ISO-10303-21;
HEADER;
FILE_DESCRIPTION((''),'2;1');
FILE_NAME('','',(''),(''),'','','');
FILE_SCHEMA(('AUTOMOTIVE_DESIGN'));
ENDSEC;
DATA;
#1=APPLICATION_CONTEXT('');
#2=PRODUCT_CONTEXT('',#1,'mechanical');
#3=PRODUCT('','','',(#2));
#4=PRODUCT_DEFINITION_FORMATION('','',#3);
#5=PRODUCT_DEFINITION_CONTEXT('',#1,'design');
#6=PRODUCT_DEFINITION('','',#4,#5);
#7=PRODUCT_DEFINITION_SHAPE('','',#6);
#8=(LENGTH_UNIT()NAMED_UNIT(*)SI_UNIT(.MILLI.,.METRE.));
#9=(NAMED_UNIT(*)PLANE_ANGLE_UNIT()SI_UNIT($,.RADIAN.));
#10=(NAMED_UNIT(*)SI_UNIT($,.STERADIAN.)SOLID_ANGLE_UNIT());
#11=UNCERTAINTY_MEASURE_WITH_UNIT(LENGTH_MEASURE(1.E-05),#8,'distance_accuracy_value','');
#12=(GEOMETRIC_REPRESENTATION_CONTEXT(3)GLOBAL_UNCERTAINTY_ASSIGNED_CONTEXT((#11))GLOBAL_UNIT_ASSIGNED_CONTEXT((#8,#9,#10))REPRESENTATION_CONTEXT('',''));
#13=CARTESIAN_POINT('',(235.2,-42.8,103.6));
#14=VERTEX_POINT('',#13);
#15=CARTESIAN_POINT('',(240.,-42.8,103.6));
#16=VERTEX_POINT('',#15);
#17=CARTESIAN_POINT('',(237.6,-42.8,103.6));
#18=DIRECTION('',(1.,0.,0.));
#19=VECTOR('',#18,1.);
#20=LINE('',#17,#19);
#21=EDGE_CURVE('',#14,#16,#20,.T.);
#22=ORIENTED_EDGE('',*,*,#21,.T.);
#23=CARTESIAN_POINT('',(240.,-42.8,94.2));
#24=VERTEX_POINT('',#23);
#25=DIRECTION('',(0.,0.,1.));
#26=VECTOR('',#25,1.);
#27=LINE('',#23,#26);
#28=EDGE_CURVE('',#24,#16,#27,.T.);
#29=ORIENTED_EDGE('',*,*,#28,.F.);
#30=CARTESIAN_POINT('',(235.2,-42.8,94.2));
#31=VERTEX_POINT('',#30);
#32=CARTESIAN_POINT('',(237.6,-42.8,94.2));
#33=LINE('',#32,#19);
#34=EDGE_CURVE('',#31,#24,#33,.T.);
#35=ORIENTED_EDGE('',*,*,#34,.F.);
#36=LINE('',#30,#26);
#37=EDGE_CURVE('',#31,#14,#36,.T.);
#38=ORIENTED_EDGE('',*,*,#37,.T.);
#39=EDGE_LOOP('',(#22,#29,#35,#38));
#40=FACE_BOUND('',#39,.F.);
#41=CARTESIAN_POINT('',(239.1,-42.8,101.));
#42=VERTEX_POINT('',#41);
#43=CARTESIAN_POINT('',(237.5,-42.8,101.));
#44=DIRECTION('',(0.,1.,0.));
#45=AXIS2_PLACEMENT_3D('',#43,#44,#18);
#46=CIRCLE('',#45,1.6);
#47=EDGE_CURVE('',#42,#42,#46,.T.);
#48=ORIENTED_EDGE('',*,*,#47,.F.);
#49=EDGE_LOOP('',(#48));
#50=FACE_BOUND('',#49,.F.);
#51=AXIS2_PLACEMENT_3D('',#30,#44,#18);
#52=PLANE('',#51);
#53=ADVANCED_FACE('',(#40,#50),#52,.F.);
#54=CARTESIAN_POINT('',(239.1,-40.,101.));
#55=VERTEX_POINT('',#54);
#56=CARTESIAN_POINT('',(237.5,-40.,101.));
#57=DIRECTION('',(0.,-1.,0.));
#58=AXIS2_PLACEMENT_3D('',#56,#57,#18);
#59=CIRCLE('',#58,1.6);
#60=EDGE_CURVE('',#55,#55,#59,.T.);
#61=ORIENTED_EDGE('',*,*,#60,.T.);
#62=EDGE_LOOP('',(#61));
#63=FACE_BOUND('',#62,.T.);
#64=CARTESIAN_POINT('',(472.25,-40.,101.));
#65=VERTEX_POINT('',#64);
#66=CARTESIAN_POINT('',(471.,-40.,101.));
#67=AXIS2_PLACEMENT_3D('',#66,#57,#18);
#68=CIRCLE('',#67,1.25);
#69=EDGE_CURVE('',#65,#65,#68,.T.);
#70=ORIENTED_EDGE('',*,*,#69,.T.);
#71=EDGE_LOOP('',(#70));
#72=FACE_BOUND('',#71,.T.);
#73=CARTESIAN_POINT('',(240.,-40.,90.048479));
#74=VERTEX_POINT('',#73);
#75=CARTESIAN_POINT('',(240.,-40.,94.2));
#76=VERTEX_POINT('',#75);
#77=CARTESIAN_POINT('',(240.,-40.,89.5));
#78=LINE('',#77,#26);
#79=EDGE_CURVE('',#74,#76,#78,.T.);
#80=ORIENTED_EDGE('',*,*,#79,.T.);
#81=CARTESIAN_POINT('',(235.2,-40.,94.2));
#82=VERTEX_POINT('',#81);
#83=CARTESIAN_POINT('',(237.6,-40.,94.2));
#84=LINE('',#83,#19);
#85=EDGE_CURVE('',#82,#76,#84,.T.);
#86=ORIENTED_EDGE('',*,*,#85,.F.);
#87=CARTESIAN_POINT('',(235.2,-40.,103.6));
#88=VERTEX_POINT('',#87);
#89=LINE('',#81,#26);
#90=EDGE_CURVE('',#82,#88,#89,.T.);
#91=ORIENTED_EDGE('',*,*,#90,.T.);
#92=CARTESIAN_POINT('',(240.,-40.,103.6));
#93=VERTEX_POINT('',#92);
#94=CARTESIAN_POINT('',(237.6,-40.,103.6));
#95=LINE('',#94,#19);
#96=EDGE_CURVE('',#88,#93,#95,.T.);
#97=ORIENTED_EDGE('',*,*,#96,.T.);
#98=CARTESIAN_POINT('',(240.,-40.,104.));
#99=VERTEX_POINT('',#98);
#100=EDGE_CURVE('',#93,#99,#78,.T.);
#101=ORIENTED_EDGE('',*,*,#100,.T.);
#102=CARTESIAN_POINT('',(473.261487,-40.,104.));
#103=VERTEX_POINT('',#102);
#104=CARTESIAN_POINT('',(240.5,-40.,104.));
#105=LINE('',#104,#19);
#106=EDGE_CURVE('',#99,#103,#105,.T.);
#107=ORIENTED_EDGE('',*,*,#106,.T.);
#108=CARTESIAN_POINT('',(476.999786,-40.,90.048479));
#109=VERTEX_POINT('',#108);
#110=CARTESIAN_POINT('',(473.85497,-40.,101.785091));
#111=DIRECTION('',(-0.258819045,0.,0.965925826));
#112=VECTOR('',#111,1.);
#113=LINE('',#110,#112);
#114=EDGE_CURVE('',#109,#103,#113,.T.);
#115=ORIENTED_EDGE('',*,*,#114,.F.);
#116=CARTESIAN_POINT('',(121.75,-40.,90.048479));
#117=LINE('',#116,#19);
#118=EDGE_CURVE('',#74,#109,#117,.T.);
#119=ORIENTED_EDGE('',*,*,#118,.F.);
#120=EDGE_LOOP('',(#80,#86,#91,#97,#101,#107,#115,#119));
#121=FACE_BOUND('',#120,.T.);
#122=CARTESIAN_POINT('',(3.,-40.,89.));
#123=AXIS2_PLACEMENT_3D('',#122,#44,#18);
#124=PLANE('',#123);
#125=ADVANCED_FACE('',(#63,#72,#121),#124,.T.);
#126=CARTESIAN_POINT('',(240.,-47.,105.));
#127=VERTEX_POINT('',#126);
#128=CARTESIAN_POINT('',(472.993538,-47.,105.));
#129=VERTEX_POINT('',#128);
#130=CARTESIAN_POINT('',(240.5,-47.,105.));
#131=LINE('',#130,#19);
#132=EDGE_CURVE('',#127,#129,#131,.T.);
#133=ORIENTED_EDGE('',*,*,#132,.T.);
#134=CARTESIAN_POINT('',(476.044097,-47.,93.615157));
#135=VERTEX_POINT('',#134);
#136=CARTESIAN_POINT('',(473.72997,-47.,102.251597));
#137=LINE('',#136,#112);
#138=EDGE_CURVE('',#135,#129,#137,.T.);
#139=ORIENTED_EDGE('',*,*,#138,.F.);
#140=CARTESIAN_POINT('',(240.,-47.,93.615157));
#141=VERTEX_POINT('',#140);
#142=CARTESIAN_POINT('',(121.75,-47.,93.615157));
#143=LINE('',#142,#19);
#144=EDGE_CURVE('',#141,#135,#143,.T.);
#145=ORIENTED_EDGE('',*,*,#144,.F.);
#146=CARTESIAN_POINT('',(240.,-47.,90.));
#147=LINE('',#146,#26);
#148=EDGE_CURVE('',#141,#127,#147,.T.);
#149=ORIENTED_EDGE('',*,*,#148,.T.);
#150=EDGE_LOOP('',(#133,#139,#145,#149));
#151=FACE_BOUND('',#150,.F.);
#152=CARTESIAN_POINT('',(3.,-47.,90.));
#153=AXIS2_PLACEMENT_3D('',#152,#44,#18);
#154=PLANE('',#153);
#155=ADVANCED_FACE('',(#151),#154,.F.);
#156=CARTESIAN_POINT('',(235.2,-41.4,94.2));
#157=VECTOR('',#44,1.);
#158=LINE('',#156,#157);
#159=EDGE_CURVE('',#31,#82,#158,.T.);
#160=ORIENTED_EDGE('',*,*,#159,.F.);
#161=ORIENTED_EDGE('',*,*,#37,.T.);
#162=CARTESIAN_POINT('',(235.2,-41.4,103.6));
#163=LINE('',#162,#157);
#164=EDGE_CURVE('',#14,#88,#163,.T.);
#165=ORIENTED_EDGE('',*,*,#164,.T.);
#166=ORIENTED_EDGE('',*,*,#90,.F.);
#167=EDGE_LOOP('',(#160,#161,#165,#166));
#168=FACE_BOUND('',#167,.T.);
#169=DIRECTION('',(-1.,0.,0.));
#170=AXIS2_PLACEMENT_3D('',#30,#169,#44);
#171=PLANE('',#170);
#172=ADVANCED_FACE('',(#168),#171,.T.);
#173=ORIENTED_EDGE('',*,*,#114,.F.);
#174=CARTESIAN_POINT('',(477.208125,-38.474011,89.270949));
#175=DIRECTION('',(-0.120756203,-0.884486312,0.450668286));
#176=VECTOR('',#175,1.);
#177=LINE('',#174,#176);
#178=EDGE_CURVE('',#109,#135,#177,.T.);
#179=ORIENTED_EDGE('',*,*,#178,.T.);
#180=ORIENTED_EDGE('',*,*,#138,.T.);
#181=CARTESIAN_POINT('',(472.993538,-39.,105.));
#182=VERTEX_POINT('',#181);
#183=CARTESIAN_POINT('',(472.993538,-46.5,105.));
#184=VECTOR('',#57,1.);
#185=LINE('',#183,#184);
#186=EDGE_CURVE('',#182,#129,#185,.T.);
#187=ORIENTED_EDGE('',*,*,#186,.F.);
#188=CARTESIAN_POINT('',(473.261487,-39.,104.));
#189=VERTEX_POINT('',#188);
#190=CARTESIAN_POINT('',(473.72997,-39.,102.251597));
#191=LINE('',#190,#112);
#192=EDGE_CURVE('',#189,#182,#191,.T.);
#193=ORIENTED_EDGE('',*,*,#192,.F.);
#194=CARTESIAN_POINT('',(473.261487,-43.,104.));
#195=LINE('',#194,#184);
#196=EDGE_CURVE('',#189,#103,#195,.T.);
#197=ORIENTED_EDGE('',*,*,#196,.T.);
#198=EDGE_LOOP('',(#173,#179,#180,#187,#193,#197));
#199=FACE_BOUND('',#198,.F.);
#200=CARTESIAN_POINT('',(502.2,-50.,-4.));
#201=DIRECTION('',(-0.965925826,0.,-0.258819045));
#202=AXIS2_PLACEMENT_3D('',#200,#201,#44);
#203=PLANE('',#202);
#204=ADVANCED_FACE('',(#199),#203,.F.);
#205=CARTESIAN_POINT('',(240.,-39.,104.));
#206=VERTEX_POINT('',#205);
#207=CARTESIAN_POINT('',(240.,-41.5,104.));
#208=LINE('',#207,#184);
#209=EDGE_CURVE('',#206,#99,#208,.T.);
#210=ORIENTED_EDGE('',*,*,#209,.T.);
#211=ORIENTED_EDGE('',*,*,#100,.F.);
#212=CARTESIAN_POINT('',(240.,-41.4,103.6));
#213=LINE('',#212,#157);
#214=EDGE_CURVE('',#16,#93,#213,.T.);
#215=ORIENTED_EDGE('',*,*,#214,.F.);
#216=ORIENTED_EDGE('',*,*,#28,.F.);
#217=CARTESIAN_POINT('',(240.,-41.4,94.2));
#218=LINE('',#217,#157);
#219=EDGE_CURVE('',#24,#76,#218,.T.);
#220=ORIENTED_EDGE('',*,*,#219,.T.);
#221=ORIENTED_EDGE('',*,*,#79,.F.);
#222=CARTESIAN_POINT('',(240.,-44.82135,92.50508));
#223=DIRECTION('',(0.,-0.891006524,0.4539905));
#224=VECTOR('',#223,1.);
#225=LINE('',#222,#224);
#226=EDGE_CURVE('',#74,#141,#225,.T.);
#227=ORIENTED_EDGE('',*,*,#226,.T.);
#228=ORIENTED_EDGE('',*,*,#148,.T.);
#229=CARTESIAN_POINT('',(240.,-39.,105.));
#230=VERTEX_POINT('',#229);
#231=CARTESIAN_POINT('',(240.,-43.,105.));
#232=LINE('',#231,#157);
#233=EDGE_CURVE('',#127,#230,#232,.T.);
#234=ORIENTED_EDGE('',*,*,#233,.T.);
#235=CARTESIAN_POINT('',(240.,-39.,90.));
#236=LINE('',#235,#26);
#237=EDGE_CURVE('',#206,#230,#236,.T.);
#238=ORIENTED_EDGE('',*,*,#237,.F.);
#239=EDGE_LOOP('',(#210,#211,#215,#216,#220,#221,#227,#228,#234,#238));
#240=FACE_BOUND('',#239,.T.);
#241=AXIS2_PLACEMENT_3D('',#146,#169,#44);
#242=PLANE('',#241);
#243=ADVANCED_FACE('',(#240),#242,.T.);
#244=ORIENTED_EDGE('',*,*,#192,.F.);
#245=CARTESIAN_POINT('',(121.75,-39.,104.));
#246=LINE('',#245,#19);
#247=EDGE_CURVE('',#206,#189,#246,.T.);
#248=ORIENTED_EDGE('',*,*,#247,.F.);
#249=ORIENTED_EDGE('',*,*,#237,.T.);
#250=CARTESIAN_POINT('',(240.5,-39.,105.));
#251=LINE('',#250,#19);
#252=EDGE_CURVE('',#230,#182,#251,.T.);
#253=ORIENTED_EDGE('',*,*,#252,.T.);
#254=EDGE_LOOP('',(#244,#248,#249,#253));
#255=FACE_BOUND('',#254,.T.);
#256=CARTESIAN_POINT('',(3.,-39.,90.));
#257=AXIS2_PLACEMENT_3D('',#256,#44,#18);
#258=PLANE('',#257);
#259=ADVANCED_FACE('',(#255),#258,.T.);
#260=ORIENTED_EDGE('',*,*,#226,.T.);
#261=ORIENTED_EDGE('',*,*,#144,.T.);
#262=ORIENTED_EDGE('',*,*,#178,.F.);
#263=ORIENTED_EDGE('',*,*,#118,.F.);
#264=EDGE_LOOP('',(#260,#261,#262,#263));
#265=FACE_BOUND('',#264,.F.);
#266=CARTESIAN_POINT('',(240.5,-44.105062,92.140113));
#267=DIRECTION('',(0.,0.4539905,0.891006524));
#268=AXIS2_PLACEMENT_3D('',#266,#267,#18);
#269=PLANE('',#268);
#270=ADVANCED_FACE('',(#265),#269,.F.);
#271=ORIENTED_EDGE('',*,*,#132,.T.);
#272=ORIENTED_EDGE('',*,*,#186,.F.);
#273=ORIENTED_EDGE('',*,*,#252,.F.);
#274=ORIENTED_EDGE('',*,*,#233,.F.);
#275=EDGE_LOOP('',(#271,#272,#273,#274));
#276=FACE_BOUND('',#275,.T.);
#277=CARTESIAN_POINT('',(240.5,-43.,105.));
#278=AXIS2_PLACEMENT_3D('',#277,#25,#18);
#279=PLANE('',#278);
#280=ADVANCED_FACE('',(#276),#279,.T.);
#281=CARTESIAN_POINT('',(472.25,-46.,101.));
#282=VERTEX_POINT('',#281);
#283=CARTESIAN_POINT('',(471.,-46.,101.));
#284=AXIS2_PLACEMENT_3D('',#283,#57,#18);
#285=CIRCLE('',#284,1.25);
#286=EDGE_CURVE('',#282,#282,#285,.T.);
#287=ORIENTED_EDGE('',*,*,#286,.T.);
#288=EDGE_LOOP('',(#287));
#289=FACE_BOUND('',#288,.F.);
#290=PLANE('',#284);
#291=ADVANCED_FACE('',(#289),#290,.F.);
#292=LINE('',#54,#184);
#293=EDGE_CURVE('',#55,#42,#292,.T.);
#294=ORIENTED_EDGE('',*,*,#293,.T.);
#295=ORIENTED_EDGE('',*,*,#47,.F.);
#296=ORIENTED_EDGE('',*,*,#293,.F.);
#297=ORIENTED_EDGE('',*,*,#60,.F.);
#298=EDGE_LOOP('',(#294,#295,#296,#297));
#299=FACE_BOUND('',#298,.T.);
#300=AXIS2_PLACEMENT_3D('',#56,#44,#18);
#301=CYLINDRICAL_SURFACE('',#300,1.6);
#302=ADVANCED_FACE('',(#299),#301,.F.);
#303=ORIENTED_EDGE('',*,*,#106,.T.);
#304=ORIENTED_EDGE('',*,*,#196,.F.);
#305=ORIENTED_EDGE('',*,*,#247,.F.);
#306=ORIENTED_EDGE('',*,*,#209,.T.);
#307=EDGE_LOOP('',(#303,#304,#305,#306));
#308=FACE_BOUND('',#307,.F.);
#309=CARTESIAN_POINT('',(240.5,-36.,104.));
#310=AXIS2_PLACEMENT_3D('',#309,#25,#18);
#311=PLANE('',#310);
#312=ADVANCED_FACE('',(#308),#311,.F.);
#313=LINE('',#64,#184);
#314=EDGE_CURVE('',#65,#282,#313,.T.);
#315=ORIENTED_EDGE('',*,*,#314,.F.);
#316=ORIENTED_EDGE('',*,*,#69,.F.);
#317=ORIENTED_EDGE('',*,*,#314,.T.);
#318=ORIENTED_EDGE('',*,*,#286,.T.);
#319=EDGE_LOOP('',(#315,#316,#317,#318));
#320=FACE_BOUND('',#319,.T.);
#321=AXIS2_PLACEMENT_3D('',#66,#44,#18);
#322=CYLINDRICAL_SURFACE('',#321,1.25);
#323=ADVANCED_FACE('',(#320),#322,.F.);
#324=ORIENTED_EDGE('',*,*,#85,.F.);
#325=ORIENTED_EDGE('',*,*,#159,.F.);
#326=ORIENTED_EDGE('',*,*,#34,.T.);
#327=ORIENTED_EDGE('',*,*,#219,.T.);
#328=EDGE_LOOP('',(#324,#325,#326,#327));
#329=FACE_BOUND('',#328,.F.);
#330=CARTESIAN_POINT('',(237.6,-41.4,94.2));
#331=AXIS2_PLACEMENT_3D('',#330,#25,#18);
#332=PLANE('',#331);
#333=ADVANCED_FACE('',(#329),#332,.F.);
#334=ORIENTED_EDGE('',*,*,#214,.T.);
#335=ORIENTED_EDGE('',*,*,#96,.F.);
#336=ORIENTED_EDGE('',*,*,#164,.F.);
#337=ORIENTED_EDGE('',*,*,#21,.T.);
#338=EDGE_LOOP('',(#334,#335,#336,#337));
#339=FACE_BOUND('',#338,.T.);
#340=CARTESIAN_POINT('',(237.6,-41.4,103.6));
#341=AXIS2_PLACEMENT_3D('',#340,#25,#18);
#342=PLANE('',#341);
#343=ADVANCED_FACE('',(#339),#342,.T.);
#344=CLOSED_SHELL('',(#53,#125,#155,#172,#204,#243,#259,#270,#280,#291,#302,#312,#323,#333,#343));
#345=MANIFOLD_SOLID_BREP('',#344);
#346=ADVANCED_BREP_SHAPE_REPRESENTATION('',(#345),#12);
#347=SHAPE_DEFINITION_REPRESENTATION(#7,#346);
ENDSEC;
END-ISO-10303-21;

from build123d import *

# Parameters (mm, degrees)
CYLINDER076_R          = 1.6
CYLINDER076_DEPTH      = 6
CYLINDER076_ROLL_ANGLE = 90
CYLINDER074_R          = 1.25
CYLINDER074_DEPTH      = 6
CYLINDER074_ROLL_ANGLE = 90
BOX077_W               = 4.8
BOX077_H               = 2.8
BOX077_DEPTH           = 9.4
BOX075_W               = 237
BOX075_H               = 8
BOX075_DEPTH           = 15
BOX073_W               = 37
BOX073_H               = 160
BOX073_DEPTH           = 120
BOX073_PITCH_ANGLE     = -15
BOX068_W               = 475
BOX068_H               = 10
BOX068_DEPTH           = 10
BOX068_ROLL_ANGLE      = -27
BOX049_W               = 475
BOX049_H               = 8
BOX049_DEPTH           = 15
BOX069_W               = 475
BOX069_H               = 8
BOX069_DEPTH           = 15


with BuildPart() as cylinder076:
    # Cylinder076 → Cylinder076 (new body)
    with BuildSketch(Plane.XY):
        Circle(CYLINDER076_R)
    extrude(amount=CYLINDER076_DEPTH)


with BuildPart() as cylinder076_1:
    # Cylinder076 roll: moved
    add(cylinder076.part.rotate(Axis((0, 0, 0), (1, 0, 0)), CYLINDER076_ROLL_ANGLE))


with BuildPart() as cylinder076_2:
    # Cylinder076 placement: moved
    add(cylinder076_1.part.moved(Location((237.5, -40, 101))))


with BuildPart() as fusion087:
    # Cylinder074 → Cylinder074 (new body)
    with BuildSketch(Plane.XY):
        Circle(CYLINDER074_R)
    extrude(amount=CYLINDER074_DEPTH)


with BuildPart() as fusion087_1:
    # Cylinder074 roll: moved
    add(fusion087.part.rotate(Axis((0, 0, 0), (1, 0, 0)), CYLINDER074_ROLL_ANGLE))


with BuildPart() as fusion087_2:
    # Cylinder074 placement: moved
    add(fusion087_1.part.moved(Location((471, -40, 101))))

    # Fusion087: union Cylinder076
    add(cylinder076_2.part)


with BuildPart() as cube049:
    # Box077 → Box077 (new body)
    with BuildSketch(Plane(origin=(235.2, -42.8, 94.2), x_dir=(1, 0, 0), z_dir=(0, 0, 1))):
        with Locations((2.4, 1.4)):
            Rectangle(BOX077_W, BOX077_H)
    extrude(amount=BOX077_DEPTH)


with BuildPart() as cube047:
    # Box075 → Box075 (new body)
    with BuildSketch(Plane(origin=(3, -47, 90), x_dir=(1, 0, 0), z_dir=(0, 0, 1))):
        with Locations((118.5, 4)):
            Rectangle(BOX075_W, BOX075_H)
    extrude(amount=BOX075_DEPTH)


with BuildPart() as cube045:
    # Box073 → Box073 (new body)
    with BuildSketch(Plane.XY):
        with Locations((18.5, 80)):
            Rectangle(BOX073_W, BOX073_H)
    extrude(amount=BOX073_DEPTH)


with BuildPart() as cube045_1:
    # Box073 pitch: moved
    add(cube045.part.rotate(Axis((0, 0, 0), (0, 1, 0)), BOX073_PITCH_ANGLE))


with BuildPart() as cube045_2:
    # Box073 placement: moved
    add(cube045_1.part.moved(Location((502.2, -50, -4))))


with BuildPart() as cube040:
    # Box068 → Box068 (new body)
    with BuildSketch(Plane.XY):
        with Locations((237.5, 5)):
            Rectangle(BOX068_W, BOX068_H)
    extrude(amount=BOX068_DEPTH)


with BuildPart() as cube040_1:
    # Box068 roll: moved
    add(cube040.part.rotate(Axis((0, 0, 0), (1, 0, 0)), BOX068_ROLL_ANGLE))


with BuildPart() as cube040_2:
    # Box068 placement: moved
    add(cube040_1.part.moved(Location((0, -53.1, 85.5))))


with BuildPart() as cube021:
    # Box049 → Box049 (new body)
    with BuildSketch(Plane(origin=(0, -40, 89), x_dir=(1, 0, 0), z_dir=(0, 0, 1))):
        with Locations((237.5, 4)):
            Rectangle(BOX049_W, BOX049_H)
    extrude(amount=BOX049_DEPTH)


with BuildPart() as cut093:
    # Box069 → Box069 (new body)
    with BuildSketch(Plane(origin=(0, -47, 90), x_dir=(1, 0, 0), z_dir=(0, 0, 1))):
        with Locations((237.5, 4)):
            Rectangle(BOX069_W, BOX069_H)
    extrude(amount=BOX069_DEPTH)

    # Cut066: cut Cube021
    add(cube021.part, mode=Mode.SUBTRACT)

    # Cut067: cut Cube040
    add(cube040_2.part, mode=Mode.SUBTRACT)


with BuildPart() as cut093_1:
    # Cut067 placement: moved
    add(cut093.part.moved(Location((3, 0, 0))))

    # Cut080: cut Cube045
    add(cube045_2.part, mode=Mode.SUBTRACT)

    # Cut083: cut Cube047
    add(cube047.part, mode=Mode.SUBTRACT)

    # Fusion086: union Cube049
    add(cube049.part)

    # Cut093: cut Fusion087
    add(fusion087_2.part, mode=Mode.SUBTRACT)


solid = cut093_1.part
